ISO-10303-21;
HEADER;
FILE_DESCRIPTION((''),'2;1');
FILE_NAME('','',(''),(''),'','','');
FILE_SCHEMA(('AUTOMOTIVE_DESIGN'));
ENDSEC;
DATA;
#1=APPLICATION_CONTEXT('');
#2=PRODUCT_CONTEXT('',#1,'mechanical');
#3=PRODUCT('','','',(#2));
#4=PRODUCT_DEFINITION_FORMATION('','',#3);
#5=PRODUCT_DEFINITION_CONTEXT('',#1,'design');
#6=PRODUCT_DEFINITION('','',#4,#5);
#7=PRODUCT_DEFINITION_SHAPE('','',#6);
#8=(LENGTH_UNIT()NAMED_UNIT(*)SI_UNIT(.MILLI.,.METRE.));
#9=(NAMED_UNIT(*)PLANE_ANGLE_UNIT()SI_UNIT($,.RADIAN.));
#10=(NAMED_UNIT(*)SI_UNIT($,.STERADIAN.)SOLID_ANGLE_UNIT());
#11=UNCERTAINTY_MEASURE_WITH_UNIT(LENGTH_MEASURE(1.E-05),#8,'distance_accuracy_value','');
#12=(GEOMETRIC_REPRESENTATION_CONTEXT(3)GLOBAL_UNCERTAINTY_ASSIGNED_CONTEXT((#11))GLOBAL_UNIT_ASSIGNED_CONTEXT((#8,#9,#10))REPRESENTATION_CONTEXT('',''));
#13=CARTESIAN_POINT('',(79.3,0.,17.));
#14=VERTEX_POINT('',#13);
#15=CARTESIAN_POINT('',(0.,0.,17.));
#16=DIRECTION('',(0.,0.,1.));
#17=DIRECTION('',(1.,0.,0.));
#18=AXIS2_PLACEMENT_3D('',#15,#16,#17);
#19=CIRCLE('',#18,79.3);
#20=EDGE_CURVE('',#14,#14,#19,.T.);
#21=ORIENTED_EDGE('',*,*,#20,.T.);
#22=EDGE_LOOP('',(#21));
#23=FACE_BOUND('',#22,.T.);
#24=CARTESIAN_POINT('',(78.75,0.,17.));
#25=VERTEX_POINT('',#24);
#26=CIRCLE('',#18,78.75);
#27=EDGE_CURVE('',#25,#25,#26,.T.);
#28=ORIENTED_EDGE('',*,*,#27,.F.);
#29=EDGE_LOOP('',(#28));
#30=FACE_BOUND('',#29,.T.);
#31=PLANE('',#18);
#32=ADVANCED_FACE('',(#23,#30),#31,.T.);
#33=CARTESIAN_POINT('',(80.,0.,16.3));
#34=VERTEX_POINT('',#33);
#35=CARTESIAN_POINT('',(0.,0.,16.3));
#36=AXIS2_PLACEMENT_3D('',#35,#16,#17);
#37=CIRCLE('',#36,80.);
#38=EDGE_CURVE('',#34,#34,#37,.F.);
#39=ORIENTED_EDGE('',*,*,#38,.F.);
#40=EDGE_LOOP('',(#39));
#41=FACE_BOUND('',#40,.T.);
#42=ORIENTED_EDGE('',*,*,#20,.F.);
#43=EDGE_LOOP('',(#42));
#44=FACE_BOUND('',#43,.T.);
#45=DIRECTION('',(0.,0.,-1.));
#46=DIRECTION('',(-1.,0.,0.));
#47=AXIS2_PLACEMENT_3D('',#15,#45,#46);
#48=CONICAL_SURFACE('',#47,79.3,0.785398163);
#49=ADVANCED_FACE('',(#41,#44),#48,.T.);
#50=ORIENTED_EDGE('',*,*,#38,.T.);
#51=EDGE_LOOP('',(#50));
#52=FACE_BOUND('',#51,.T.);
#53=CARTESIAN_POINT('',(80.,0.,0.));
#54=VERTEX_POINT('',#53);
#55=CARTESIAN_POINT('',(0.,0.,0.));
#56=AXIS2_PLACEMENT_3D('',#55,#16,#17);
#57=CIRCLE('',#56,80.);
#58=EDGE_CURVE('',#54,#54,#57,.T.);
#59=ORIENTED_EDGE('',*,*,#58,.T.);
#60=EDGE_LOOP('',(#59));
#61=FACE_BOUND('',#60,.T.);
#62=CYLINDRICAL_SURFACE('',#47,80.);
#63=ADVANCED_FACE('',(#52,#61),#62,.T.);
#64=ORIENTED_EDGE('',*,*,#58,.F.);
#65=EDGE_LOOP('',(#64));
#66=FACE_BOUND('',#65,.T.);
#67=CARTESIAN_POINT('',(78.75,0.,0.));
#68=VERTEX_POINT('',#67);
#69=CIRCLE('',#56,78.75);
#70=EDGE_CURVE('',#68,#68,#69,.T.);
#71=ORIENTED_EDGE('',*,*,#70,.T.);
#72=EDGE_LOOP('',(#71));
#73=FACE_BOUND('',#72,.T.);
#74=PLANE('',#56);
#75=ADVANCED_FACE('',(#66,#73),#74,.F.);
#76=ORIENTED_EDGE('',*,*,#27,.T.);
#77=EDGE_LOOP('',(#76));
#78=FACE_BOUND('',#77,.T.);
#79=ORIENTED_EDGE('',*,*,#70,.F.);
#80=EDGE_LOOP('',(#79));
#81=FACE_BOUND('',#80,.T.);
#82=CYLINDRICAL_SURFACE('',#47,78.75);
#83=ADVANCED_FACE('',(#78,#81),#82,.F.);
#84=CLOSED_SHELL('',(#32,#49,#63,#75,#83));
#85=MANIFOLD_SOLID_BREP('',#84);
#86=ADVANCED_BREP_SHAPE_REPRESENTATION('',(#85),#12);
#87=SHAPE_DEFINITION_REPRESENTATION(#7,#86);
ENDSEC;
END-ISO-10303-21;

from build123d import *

# Parameters (mm, degrees)
SCHIZZO1_R                   = 80
SCHIZZO1_R_2                 = 78.75
ESTRUSIONE_ESTRUSIONE1_DEPTH = 17
SMUSSO1_SIZE                 = 0.7


with BuildPart() as part:
    # Schizzo1 → Estrusione-Estrusione1 (new body)
    with BuildSketch(Plane.XY):
        Circle(SCHIZZO1_R)
        Circle(SCHIZZO1_R_2, mode=Mode.SUBTRACT)
    extrude(amount=ESTRUSIONE_ESTRUSIONE1_DEPTH)

    # Smusso1
    smusso1_edges = [part.edges().sort_by_distance(p)[0] for p in [
        (-80, 0, 17),
    ]]
    chamfer(smusso1_edges, length=SMUSSO1_SIZE)


solid = part.part
